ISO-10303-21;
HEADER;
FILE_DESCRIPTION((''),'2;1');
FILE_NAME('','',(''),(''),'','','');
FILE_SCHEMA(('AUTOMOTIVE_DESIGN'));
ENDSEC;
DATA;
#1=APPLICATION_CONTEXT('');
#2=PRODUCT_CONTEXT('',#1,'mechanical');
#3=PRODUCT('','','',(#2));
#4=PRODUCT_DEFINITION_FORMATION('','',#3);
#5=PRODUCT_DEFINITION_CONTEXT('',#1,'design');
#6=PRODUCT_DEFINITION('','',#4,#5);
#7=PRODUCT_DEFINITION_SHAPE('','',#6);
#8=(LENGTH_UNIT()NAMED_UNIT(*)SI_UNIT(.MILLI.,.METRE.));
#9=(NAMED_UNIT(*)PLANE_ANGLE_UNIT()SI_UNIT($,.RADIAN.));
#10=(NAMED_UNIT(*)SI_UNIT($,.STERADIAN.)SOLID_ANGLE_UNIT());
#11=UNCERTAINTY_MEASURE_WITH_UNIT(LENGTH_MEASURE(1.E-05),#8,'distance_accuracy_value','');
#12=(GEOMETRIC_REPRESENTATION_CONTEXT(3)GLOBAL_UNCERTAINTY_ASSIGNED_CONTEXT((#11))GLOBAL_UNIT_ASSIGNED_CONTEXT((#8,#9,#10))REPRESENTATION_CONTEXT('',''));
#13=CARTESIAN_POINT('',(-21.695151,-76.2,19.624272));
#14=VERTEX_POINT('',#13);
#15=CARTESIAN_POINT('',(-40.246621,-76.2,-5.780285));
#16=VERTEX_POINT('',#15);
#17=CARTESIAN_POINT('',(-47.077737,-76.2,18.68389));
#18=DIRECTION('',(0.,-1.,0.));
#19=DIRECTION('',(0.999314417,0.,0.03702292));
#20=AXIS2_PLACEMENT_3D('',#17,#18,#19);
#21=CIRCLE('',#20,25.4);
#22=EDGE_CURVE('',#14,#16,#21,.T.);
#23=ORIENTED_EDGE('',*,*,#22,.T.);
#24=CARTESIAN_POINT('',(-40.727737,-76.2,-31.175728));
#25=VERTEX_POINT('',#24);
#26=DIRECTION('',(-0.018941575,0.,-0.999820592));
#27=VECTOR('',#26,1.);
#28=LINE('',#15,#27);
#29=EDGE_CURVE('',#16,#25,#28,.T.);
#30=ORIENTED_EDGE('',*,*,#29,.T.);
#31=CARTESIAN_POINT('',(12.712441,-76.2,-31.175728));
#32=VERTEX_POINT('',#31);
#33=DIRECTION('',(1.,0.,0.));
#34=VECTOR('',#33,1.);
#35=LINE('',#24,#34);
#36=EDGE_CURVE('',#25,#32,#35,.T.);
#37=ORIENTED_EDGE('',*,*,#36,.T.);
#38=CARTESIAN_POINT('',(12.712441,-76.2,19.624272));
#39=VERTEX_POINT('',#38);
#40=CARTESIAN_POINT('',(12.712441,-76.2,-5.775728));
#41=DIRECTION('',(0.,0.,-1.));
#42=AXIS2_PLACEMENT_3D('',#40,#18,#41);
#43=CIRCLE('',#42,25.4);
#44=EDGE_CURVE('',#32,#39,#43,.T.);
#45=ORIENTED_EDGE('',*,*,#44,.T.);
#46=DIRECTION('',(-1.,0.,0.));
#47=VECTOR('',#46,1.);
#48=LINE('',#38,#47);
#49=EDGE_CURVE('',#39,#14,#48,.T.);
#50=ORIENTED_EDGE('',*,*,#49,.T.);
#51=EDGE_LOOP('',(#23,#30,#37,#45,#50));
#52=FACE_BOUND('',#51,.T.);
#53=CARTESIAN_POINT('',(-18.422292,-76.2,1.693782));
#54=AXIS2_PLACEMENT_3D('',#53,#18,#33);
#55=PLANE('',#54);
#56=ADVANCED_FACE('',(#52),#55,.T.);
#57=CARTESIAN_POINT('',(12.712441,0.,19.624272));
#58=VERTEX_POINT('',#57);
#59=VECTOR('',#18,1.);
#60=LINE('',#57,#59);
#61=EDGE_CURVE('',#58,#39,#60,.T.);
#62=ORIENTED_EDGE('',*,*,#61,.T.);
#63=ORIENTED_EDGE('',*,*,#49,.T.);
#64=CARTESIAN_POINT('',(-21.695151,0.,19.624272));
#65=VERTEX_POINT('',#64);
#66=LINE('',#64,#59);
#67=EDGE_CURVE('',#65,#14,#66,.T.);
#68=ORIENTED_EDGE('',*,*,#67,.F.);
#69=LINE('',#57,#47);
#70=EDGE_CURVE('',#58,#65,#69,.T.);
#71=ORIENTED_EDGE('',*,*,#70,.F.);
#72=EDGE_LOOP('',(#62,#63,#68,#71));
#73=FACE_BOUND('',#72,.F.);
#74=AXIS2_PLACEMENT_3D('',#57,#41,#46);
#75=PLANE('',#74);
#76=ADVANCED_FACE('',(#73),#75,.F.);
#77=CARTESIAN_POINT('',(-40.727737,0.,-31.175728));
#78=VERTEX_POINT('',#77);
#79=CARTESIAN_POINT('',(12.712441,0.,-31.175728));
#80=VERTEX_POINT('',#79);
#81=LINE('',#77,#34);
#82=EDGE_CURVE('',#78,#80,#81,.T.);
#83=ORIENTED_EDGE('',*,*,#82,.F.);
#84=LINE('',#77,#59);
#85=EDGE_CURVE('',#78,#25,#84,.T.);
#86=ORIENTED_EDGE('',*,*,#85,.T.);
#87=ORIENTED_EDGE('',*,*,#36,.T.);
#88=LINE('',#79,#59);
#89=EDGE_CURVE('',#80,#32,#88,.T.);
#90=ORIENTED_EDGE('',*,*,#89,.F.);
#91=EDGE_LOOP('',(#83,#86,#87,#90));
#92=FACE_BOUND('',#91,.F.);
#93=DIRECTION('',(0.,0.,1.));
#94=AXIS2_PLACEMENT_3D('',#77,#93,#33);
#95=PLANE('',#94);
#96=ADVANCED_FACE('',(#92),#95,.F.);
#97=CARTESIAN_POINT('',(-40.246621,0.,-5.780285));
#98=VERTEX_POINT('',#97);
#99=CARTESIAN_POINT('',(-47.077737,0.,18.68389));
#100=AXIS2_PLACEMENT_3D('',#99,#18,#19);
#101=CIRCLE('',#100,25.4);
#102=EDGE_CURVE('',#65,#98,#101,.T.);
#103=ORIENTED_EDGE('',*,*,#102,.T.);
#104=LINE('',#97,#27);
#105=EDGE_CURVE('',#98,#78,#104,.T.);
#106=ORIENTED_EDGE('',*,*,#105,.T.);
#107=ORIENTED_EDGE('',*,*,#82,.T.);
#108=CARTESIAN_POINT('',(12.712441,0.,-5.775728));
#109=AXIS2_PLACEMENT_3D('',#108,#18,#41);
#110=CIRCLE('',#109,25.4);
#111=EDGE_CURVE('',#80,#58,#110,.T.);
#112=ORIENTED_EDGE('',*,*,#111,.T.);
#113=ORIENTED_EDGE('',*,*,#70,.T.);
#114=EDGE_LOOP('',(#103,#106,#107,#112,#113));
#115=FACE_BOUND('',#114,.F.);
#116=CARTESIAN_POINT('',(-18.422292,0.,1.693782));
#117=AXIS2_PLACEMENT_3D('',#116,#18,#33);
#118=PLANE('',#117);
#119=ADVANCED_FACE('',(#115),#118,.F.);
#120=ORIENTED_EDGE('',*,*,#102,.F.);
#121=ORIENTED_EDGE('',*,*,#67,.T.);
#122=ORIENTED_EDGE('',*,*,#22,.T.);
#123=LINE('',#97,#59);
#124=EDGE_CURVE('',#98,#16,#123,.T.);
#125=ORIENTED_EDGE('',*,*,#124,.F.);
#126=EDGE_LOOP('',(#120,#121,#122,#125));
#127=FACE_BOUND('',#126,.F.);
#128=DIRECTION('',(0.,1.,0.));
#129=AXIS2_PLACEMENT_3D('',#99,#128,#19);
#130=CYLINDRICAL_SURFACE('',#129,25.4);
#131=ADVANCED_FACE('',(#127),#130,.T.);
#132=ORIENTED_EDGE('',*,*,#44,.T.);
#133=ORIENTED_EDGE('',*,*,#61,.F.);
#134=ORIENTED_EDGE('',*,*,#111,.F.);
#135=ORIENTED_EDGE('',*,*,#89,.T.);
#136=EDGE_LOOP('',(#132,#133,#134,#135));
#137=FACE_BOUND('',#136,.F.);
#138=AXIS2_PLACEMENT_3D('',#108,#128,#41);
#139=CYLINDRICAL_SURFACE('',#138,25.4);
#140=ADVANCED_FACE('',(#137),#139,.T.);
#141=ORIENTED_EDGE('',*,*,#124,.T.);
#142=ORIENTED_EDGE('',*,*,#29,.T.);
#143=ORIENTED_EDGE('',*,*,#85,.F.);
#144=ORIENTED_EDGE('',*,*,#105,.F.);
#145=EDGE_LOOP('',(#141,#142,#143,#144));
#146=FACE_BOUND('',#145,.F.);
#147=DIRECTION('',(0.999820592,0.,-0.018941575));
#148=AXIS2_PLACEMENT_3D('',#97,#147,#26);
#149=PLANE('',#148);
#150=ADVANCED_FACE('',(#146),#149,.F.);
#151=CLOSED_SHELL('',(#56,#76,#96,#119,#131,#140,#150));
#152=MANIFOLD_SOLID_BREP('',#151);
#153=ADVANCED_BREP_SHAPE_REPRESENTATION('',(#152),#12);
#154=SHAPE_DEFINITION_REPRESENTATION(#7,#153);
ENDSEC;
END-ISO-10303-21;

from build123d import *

# Parameters (mm, degrees)
F1_DEPTH = 76.2


with BuildPart() as f1:
    # F0 (on Front) → F1 (new body)
    with BuildSketch(Plane.XZ):
        with BuildLine():
            Line((12.712441, 19.624272), (-21.695151, 19.624272))
            ThreePointArc((-21.695151, 19.624272), (-67.590624, 33.663258), (-40.246621, -5.780285))
            Line((-40.246621, -5.780285), (-40.727737, -31.175728))
            Line((-40.727737, -31.175728), (12.712441, -31.175728))
            ThreePointArc((12.712441, -31.175728), (38.112441, -5.775728), (12.712441, 19.624272))
        make_face()
    extrude(amount=F1_DEPTH)


solid = f1.part
